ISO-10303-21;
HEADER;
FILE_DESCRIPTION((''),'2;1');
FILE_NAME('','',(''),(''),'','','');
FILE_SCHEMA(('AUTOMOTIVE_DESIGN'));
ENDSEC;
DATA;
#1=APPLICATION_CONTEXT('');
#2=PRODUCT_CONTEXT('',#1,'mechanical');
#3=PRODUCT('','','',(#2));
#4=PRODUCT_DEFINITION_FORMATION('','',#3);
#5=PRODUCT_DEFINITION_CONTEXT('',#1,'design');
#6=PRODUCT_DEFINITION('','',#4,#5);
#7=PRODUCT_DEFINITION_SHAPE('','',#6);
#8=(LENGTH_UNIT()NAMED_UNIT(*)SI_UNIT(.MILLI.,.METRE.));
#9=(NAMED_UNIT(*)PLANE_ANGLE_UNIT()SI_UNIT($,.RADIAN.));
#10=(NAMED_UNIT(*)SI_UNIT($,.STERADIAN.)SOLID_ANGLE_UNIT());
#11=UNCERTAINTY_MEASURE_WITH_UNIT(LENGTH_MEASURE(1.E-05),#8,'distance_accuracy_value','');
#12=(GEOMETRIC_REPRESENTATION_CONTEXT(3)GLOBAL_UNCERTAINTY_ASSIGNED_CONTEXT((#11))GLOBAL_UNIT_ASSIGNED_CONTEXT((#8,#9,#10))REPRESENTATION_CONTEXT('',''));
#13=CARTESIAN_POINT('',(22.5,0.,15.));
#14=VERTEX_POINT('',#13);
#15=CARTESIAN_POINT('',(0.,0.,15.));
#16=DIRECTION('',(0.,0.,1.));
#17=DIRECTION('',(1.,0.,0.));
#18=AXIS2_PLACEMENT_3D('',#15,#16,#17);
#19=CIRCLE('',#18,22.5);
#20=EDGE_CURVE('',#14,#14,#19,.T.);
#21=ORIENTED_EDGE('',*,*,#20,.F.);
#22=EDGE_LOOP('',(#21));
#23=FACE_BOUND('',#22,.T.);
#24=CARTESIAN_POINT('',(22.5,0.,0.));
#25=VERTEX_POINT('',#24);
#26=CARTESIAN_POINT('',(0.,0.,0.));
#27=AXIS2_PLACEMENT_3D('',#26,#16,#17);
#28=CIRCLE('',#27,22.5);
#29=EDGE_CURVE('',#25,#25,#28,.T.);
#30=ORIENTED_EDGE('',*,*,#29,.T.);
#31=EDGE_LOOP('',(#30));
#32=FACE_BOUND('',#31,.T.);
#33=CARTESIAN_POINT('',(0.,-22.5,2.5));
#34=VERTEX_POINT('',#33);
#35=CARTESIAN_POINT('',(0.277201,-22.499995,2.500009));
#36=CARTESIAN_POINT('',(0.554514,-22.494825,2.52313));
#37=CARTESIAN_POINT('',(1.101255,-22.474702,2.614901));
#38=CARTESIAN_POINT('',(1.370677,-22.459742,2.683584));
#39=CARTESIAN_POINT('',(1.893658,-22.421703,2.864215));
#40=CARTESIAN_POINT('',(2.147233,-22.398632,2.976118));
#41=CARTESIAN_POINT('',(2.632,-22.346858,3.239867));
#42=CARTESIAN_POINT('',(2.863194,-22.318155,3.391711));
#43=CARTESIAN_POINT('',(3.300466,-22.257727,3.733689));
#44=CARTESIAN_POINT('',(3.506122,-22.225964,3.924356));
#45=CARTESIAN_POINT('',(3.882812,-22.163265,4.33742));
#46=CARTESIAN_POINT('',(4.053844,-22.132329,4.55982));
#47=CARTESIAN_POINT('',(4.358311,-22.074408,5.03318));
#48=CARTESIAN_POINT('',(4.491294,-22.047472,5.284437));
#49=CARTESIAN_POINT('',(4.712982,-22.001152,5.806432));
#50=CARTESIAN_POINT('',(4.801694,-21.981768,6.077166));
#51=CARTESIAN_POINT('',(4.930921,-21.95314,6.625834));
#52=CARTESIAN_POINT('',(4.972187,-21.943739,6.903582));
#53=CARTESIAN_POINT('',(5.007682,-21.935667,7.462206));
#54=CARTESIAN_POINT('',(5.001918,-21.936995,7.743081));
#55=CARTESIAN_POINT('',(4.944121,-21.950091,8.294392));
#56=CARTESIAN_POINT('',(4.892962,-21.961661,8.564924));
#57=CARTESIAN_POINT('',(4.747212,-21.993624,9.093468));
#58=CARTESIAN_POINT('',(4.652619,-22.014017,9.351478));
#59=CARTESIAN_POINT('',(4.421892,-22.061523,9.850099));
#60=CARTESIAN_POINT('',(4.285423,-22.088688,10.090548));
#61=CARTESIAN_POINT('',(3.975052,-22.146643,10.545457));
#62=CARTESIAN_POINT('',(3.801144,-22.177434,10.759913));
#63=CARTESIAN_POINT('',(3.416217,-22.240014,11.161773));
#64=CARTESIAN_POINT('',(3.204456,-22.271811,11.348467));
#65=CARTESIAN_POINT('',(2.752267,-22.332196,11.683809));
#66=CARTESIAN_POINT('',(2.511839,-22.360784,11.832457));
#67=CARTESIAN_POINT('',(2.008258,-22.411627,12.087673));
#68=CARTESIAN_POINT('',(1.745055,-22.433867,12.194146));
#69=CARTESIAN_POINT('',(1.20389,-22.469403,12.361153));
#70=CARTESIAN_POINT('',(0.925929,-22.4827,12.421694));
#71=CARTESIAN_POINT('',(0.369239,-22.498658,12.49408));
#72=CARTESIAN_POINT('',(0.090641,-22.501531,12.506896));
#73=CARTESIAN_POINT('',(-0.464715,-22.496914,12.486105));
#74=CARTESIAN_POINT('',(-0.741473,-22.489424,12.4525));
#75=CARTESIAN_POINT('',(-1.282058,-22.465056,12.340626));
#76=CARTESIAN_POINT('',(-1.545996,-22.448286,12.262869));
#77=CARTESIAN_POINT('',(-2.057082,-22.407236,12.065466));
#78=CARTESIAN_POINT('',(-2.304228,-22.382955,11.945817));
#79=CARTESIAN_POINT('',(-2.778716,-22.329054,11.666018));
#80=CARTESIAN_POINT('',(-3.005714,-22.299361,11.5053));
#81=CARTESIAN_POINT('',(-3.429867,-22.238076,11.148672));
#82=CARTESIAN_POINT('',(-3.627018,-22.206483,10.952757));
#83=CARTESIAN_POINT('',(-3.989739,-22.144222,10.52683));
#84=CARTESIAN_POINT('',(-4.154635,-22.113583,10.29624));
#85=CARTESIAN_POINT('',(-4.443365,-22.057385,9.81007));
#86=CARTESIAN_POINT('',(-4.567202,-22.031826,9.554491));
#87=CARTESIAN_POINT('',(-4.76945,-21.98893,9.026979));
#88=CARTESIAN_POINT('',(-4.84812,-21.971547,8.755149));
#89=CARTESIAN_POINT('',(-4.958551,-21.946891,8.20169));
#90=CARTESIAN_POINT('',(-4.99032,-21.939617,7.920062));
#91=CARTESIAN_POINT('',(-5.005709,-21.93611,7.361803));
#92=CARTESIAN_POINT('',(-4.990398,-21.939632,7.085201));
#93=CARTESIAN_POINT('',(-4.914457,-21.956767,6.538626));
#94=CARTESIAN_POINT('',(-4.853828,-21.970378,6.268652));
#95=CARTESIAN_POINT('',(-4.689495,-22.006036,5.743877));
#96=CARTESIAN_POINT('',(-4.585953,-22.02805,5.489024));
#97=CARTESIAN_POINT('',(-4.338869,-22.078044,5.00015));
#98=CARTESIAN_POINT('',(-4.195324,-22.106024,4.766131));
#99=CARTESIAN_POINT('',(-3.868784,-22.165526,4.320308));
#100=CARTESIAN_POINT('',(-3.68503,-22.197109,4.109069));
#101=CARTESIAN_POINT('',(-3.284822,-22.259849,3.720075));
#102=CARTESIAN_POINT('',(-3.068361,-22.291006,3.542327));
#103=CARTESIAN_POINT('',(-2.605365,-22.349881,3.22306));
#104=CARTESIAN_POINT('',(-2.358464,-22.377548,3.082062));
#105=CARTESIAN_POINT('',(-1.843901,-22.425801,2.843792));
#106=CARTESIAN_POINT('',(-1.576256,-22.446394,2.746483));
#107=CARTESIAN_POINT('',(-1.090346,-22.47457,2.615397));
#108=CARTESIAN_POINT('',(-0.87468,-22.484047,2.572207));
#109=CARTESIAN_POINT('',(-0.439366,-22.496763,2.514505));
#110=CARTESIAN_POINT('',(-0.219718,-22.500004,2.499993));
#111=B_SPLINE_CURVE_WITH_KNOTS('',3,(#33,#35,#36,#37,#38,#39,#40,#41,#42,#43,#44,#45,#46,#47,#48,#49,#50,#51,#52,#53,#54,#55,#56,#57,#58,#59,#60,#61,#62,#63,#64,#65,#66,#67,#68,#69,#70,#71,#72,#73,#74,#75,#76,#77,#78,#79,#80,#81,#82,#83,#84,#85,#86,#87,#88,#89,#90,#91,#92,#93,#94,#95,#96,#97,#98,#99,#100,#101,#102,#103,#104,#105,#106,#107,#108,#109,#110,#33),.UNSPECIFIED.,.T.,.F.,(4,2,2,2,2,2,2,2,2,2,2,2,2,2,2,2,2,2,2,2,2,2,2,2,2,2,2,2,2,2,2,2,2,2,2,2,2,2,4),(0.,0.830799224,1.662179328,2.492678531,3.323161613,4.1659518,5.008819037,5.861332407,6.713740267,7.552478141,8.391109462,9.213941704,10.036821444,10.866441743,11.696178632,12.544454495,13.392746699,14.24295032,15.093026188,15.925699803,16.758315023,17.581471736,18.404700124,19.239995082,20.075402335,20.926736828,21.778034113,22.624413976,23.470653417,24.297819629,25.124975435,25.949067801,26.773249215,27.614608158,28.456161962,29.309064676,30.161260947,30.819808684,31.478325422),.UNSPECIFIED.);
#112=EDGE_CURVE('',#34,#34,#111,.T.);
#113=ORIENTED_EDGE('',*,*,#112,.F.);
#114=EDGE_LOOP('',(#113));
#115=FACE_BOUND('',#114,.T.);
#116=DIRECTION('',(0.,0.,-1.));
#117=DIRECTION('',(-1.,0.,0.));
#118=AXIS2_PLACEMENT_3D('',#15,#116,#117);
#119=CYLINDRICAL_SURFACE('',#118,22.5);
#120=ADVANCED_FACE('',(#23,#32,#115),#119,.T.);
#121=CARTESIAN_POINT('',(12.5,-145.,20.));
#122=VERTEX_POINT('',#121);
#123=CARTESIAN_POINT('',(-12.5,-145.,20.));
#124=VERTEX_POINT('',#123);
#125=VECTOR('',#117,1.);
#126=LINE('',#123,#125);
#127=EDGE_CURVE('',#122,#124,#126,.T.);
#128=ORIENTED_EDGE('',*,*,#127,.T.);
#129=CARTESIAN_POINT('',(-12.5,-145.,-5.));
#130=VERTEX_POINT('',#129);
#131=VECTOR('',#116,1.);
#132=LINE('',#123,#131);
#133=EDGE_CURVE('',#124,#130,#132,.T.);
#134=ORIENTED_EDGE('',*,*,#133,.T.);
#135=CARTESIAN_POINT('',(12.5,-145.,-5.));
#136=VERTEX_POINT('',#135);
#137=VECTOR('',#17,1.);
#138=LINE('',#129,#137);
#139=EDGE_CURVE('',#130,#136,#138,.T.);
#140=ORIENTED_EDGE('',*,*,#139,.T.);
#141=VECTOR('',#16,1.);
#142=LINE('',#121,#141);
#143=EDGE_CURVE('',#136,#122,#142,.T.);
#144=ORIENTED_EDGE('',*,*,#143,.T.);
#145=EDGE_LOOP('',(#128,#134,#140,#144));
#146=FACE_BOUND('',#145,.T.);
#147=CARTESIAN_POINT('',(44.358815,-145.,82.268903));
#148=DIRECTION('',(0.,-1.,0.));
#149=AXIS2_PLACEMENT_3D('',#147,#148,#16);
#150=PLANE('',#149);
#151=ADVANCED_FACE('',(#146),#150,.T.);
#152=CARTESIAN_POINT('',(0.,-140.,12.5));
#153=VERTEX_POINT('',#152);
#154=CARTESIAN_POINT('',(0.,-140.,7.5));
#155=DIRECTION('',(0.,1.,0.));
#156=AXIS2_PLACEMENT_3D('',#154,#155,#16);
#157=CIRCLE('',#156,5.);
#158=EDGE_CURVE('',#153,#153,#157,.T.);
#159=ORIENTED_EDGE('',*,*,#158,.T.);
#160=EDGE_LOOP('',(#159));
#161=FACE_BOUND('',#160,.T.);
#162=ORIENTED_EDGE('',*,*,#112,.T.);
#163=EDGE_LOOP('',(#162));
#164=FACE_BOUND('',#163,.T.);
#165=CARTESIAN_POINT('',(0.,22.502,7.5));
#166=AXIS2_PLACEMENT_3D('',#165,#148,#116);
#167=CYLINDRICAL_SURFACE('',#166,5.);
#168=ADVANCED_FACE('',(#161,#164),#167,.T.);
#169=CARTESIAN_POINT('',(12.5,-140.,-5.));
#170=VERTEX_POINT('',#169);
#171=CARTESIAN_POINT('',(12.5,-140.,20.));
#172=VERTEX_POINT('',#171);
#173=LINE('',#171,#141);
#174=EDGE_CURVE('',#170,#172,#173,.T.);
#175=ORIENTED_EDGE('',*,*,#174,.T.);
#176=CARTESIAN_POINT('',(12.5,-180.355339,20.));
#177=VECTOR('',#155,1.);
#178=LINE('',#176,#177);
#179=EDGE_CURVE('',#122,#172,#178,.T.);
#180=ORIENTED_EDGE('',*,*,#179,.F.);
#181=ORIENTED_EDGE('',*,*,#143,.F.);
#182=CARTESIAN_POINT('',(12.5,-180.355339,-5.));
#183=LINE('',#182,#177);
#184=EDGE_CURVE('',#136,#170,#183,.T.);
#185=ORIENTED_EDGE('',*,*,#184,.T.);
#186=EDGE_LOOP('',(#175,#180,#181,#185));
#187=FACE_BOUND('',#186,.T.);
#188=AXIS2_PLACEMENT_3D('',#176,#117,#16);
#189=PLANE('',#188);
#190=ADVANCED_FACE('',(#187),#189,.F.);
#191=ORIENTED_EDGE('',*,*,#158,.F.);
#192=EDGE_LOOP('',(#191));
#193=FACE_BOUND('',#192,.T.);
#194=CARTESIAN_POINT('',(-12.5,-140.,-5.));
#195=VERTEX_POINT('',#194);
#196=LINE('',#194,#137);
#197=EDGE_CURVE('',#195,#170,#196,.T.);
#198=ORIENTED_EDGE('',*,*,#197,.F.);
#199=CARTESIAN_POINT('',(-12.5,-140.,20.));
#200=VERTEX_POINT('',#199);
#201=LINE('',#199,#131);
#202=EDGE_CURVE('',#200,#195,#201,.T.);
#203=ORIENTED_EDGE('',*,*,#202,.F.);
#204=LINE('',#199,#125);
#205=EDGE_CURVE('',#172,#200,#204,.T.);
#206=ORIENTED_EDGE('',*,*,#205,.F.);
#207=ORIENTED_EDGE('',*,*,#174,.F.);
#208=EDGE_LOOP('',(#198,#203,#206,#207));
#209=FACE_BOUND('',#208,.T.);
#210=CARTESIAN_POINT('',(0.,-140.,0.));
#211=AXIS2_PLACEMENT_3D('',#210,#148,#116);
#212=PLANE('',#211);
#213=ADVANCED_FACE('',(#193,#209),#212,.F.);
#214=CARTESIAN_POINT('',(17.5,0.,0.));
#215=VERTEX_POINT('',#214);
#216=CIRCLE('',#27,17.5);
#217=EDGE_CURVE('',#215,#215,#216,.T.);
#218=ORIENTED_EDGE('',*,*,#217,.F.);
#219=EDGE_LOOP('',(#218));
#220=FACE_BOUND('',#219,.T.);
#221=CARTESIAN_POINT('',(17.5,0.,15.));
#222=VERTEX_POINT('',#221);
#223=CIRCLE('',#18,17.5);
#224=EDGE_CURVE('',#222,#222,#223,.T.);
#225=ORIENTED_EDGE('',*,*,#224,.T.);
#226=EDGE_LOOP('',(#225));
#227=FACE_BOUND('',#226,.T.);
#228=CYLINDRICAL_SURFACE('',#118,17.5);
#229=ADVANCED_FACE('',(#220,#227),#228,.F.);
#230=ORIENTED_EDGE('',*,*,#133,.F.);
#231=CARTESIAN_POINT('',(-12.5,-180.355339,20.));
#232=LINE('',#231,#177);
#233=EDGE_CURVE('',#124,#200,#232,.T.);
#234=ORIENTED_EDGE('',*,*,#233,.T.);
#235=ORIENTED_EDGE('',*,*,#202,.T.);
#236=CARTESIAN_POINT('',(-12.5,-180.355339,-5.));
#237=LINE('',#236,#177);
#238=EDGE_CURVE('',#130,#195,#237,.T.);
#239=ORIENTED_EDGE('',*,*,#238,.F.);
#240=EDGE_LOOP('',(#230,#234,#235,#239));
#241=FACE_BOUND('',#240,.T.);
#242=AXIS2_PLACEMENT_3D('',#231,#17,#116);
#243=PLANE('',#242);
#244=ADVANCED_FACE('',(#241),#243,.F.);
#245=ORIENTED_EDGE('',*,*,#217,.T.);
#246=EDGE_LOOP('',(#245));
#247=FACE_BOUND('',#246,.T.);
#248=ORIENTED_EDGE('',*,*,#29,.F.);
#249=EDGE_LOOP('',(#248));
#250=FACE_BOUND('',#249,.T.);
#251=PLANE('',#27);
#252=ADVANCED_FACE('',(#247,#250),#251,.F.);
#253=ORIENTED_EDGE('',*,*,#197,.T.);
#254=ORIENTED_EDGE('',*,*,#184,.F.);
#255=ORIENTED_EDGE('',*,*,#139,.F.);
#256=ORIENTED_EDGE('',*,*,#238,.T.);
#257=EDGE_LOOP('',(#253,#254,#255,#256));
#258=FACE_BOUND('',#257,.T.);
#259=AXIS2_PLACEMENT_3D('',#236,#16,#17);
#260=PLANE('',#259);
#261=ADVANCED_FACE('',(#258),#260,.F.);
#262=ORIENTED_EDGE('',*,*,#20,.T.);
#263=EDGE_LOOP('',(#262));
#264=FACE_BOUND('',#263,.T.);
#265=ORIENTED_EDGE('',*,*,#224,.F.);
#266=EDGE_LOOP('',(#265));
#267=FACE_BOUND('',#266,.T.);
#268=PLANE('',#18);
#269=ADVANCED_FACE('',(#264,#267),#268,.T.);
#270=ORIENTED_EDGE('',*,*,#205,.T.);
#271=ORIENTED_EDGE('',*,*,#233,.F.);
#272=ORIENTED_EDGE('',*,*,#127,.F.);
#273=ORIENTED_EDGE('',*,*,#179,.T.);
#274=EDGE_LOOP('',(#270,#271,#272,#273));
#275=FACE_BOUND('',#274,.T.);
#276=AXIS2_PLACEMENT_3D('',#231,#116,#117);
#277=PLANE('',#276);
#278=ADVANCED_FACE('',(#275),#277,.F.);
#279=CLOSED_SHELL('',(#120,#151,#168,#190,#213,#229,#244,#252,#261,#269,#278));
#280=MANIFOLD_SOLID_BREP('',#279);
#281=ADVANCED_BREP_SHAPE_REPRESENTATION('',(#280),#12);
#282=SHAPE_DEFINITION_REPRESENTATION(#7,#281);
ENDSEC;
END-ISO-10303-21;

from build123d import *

# Parameters (mm, degrees)
SKETCH_1_R           = 22.5
SKETCH_1_R_2         = 17.5
EXTRUDE_1_DEPTH      = 15
EXTRUDE_2_REACH      = 166.735
EXTRUDE_2_END_RADIUS = 22.5
SKETCH_2_R           = 5
SKETCH_3_W           = 25
SKETCH_3_H           = 25
EXTRUDE_3_DEPTH      = 5


with BuildPart() as part:
    # 草图1 → 凸台-拉伸1 (new body)
    with BuildSketch(Plane.XY):
        Circle(SKETCH_1_R)
        Circle(SKETCH_1_R_2, mode=Mode.SUBTRACT)
    extrude(amount=EXTRUDE_1_DEPTH)

    # 凸台-拉伸2: up to this cylinder (the profile starts outside it)
    extrude_2_end = Plane(origin=(0, 0, 7.5), z_dir=(0, 0, -1)) * Cylinder(EXTRUDE_2_END_RADIUS, 379.47, mode=Mode.PRIVATE)
    # 草图2 → 凸台-拉伸2 (add, up to the surface)
    with BuildSketch(Plane(origin=(0, -140, 0), x_dir=(1, 0, 0), z_dir=(0, 1, 0)), mode=Mode.PRIVATE) as extrude_2_sk1:
        with Locations(Location((0, -7.5, 0), (0, 0, 90))):
            Circle(SKETCH_2_R)
    extrude_2_tool1 = extrude(extrude_2_sk1.sketch, amount=EXTRUDE_2_REACH, mode=Mode.PRIVATE) - extrude_2_end
    add(extrude_2_tool1.solids().sort_by_distance((0, -140, 7.5))[0])

    # 草图3 → 凸台-拉伸3 (add)
    with BuildSketch(Plane.XZ.offset(140)):
        with Locations((0, 7.5)):
            Rectangle(SKETCH_3_W, SKETCH_3_H)
    extrude(amount=EXTRUDE_3_DEPTH)


solid = part.part
